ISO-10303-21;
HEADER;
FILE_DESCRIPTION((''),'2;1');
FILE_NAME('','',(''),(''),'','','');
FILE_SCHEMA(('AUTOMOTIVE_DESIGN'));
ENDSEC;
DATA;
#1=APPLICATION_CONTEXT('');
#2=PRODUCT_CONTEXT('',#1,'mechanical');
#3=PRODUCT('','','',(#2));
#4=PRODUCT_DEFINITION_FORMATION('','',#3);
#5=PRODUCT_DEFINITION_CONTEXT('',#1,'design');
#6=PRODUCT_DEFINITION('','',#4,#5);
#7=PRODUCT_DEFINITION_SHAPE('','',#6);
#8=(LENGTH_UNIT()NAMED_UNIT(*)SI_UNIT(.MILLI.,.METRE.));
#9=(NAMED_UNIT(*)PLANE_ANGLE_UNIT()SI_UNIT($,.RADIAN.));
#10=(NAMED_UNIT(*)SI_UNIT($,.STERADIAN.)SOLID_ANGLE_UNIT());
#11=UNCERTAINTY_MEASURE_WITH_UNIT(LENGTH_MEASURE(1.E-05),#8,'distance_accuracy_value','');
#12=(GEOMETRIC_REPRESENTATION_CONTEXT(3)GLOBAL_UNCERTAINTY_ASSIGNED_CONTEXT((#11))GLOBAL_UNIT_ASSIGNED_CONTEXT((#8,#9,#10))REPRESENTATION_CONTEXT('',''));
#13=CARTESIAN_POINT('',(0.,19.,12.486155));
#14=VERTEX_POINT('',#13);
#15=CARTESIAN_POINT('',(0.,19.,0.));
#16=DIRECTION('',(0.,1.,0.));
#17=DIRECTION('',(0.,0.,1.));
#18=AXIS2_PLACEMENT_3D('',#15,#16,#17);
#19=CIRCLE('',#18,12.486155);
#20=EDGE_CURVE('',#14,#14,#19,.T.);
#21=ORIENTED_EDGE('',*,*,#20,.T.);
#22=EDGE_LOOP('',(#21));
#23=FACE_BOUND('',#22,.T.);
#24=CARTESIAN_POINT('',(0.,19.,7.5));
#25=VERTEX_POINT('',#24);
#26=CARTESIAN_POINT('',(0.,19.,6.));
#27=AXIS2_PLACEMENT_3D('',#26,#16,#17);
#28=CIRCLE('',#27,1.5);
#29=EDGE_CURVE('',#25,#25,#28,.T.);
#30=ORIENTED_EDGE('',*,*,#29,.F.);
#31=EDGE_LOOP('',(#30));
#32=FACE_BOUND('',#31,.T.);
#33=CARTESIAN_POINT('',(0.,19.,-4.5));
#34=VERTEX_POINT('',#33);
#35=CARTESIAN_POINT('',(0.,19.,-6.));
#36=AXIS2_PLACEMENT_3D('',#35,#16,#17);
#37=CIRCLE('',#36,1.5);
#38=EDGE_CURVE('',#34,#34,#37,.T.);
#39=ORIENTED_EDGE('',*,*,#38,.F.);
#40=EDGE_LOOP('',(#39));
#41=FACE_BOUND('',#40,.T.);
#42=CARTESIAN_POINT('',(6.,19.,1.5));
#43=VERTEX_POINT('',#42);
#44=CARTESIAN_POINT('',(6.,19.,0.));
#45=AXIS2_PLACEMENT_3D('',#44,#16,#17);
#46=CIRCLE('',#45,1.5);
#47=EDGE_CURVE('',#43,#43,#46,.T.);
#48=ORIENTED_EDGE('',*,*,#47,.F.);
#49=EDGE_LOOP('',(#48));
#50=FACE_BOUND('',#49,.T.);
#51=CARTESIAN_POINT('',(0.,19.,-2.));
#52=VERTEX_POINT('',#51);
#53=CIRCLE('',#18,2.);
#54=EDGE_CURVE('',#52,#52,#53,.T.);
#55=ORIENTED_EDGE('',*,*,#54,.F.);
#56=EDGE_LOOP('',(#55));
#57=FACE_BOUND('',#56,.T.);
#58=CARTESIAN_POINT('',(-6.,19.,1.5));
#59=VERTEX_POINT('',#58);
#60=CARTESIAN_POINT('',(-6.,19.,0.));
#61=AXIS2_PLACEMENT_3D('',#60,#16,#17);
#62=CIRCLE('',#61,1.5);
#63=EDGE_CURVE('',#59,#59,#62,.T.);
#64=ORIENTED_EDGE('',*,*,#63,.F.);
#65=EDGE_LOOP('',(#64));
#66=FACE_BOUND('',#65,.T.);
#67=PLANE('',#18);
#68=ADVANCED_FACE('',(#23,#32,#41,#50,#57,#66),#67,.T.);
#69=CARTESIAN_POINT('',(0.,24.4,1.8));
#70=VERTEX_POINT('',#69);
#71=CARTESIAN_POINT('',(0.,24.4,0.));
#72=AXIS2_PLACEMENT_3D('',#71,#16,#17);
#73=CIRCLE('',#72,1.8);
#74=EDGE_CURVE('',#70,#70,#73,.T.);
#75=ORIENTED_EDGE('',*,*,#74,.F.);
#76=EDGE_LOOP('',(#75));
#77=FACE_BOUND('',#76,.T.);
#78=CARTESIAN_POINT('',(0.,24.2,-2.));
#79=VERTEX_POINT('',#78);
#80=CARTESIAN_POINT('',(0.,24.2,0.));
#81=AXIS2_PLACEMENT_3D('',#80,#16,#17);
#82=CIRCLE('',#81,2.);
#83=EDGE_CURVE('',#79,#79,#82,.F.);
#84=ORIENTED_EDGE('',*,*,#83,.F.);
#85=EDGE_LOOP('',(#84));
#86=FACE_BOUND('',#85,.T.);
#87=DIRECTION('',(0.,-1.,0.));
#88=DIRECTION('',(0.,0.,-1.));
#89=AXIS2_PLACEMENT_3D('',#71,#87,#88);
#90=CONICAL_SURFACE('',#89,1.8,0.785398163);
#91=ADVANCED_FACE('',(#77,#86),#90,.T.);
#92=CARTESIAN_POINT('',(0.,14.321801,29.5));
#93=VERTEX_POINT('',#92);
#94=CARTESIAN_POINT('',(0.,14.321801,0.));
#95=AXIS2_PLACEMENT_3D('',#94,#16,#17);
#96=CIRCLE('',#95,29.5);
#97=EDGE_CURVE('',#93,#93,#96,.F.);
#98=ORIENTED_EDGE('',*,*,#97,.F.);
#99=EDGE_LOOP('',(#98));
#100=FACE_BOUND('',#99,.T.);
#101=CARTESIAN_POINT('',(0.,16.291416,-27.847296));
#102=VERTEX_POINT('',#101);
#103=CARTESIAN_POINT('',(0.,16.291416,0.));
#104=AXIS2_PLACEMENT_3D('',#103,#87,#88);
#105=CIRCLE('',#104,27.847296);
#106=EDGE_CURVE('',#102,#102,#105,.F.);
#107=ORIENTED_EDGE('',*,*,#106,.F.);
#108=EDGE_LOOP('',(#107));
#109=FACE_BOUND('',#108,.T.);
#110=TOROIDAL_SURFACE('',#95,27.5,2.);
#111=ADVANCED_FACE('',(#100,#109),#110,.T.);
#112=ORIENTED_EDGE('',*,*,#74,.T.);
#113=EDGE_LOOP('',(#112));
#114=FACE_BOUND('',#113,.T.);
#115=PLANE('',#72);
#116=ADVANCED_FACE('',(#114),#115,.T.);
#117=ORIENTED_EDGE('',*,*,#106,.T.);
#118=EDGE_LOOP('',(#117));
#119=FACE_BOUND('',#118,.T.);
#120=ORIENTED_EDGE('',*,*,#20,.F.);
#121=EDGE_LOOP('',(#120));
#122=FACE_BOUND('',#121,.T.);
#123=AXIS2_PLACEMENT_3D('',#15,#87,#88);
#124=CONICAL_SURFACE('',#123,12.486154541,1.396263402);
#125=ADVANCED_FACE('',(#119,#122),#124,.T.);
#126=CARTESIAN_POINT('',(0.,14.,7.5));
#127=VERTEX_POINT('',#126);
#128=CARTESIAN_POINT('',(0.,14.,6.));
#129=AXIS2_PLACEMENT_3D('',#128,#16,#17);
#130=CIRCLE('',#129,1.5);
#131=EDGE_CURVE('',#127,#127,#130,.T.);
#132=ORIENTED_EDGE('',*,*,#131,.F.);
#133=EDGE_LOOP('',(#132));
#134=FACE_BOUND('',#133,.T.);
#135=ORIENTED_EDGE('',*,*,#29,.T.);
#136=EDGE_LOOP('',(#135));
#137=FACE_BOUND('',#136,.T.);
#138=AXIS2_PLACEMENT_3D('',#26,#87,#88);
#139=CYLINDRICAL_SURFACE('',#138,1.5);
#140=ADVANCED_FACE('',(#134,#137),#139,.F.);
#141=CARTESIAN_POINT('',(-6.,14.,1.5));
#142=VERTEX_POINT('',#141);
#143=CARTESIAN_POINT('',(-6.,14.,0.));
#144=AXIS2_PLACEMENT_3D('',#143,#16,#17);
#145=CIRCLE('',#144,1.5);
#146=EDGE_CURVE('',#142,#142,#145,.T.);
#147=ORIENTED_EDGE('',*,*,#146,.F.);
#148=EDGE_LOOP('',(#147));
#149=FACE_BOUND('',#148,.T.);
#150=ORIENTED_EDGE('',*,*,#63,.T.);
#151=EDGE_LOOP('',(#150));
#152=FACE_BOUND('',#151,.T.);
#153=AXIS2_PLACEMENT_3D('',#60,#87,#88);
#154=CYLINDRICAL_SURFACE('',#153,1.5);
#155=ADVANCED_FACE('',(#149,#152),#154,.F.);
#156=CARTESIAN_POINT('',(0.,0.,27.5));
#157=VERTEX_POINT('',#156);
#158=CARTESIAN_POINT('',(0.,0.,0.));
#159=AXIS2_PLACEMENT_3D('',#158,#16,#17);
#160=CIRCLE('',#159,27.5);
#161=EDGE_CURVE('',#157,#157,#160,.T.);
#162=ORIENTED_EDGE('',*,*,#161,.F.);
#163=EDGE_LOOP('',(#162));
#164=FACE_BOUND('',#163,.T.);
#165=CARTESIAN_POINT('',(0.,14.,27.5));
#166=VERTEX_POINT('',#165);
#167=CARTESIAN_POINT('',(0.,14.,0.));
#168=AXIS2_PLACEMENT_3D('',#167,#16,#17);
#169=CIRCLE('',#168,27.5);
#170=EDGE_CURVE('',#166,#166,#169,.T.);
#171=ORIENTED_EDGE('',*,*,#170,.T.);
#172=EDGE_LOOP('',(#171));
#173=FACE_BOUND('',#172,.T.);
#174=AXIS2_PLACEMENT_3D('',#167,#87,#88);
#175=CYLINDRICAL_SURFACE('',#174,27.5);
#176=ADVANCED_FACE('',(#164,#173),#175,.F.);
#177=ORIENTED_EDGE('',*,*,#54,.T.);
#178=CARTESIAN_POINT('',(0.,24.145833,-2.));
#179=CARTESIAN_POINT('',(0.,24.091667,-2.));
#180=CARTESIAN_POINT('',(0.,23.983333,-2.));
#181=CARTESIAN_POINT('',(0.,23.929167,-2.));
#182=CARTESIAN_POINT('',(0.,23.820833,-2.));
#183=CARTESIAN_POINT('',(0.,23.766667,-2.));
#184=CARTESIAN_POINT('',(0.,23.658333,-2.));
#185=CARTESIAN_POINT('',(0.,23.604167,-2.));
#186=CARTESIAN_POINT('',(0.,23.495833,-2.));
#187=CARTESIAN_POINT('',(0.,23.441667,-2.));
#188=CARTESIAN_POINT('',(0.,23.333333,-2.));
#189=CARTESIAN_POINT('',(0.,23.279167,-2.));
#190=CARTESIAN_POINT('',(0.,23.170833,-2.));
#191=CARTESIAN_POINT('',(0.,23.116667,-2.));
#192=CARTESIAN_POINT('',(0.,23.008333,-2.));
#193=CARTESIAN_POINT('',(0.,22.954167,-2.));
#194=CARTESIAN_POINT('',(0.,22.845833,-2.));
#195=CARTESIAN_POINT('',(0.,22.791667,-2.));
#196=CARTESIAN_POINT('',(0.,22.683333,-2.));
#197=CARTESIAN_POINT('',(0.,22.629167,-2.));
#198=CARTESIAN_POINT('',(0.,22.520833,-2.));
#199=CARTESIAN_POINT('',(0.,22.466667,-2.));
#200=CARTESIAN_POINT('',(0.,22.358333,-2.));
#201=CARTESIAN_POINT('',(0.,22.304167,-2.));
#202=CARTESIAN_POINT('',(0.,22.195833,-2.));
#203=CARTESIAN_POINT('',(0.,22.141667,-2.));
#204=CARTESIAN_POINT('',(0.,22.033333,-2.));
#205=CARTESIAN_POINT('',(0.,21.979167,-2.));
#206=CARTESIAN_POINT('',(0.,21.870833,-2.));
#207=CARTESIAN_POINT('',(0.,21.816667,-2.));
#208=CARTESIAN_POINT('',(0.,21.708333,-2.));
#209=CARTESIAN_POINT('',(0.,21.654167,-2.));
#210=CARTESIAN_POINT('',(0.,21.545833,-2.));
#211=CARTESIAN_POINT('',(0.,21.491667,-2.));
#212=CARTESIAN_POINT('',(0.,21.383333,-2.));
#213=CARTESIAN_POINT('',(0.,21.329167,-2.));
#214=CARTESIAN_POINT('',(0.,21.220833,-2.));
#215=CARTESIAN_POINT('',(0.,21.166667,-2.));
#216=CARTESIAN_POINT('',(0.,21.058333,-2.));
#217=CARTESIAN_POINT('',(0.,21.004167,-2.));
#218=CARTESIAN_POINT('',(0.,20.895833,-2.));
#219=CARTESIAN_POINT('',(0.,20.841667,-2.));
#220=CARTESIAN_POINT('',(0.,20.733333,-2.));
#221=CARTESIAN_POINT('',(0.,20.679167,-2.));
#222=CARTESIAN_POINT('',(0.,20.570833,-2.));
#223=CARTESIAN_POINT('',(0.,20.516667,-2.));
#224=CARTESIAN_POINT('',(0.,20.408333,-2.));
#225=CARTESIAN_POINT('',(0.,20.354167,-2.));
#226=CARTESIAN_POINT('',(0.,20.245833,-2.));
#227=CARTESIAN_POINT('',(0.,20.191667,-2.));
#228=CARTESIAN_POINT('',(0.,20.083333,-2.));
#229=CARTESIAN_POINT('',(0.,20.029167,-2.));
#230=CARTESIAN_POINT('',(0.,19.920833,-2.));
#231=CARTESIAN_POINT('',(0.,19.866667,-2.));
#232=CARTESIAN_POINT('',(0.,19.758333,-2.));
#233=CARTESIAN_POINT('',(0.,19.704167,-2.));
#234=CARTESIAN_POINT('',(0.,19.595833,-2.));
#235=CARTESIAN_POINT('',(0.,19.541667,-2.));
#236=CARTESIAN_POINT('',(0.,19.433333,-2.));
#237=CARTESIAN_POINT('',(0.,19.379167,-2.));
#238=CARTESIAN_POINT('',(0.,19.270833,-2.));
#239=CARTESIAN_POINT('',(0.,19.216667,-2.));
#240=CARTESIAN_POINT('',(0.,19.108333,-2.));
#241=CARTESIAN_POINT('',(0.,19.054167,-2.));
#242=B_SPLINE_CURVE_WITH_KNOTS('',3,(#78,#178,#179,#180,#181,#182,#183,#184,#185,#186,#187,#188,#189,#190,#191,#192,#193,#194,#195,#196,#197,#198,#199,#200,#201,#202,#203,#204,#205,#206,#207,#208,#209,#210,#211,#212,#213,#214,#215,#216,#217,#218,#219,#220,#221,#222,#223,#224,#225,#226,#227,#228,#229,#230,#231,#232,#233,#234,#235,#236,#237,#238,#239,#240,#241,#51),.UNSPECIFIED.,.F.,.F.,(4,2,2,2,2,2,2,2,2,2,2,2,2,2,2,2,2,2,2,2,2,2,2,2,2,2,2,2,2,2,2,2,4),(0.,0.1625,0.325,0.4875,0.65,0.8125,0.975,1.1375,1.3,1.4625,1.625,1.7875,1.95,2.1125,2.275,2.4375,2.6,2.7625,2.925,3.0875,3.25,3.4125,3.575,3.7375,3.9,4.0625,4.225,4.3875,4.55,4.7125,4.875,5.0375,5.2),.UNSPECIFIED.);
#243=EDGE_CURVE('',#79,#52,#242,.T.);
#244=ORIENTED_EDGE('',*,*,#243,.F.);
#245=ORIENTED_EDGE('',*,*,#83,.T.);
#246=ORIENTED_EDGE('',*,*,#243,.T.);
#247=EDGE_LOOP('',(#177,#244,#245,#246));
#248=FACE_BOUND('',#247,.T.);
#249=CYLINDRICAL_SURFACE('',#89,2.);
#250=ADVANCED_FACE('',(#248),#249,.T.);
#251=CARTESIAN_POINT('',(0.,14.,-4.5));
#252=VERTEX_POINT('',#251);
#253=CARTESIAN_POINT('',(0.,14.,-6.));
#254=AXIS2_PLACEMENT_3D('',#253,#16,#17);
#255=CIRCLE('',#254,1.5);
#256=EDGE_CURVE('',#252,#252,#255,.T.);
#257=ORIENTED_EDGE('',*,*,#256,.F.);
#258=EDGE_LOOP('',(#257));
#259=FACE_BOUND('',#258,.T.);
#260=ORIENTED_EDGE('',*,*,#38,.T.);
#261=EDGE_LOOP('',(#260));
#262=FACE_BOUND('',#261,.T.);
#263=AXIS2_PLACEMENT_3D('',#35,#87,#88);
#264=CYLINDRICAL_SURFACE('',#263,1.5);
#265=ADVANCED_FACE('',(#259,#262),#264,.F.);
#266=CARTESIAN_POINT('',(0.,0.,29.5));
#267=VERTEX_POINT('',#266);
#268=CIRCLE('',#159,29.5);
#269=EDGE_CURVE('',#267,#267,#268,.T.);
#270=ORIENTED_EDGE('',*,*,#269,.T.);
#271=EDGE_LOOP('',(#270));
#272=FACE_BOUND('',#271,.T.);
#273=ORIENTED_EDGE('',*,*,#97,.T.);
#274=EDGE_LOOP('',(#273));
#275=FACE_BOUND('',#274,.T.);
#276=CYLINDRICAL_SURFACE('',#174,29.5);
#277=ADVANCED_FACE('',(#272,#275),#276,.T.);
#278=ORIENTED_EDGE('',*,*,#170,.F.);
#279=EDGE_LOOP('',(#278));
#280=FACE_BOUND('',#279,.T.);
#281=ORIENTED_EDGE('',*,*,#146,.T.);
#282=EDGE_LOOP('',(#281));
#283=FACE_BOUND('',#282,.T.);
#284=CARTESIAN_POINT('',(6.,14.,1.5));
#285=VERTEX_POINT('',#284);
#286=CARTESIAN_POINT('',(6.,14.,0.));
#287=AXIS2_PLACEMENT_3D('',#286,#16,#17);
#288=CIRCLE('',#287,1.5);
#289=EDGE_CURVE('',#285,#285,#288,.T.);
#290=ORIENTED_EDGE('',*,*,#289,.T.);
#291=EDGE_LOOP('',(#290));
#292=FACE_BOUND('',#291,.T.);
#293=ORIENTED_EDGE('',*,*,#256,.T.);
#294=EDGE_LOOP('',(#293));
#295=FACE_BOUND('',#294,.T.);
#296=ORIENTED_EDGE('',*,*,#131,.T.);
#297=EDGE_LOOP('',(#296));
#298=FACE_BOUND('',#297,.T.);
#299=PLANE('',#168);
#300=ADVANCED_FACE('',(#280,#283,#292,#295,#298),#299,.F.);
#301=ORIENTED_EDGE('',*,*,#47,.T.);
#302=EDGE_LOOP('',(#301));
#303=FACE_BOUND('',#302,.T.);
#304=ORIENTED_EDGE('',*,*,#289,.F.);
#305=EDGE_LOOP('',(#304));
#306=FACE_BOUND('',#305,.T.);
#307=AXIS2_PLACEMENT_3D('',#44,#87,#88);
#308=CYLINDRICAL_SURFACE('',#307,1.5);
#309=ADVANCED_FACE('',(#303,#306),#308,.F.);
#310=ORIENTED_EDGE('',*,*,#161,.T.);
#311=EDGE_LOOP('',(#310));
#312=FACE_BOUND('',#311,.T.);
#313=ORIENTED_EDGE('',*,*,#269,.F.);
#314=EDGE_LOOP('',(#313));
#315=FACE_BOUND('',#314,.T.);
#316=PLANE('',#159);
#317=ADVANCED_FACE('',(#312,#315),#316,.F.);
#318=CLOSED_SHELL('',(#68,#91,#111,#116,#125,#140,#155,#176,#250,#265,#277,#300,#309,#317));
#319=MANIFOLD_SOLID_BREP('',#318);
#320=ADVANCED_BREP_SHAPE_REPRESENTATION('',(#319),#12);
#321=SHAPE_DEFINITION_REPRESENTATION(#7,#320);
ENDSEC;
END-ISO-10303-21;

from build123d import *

# Parameters (mm, degrees)
SKETCH1_R           = 29.5
SKETCH1_R_2         = 27.5
BOSS_EXTRUDE2_DEPTH = 14
SKETCH3_R           = 29.5
SKETCH3_R_2         = 1.5
BOSS_EXTRUDE3_DEPTH = 5
CHAMFER1_SIZE       = 3
CHAMFER1_SIZE2      = 17.013845459
FILLET1_R           = 2
SKETCH4_R           = 2
BOSS_EXTRUDE4_DEPTH = 5.4
CHAMFER2_SIZE       = 0.2


with BuildPart() as part:
    # Sketch1 → Boss-Extrude2 (new body)
    with BuildSketch(Plane(origin=(0, 0, 0), x_dir=(1, 0, 0), z_dir=(0, 1, 0))):
        with Locations(Location((0, 0, 0), (0, 0, 270))):
            Circle(SKETCH1_R)
        with Locations(Location((0, 0, 0), (0, 0, 270))):
            Circle(SKETCH1_R_2, mode=Mode.SUBTRACT)
    extrude(amount=BOSS_EXTRUDE2_DEPTH)

    # Sketch3 → Boss-Extrude3 (add)
    with BuildSketch(Plane(origin=(0, 14, 0), x_dir=(1, 0, 0), z_dir=(0, 1, 0))):
        with Locations(Location((0, 0, 0), (0, 0, 270))):
            Circle(SKETCH3_R)
        with Locations(Location((0, 6, 0), (0, 0, 270))):
            Circle(SKETCH3_R_2, mode=Mode.SUBTRACT)
        with Locations(Location((6, 0, 0), (0, 0, 270))):
            Circle(SKETCH3_R_2, mode=Mode.SUBTRACT)
        with Locations(Location((0, -6, 0), (0, 0, 270))):
            Circle(SKETCH3_R_2, mode=Mode.SUBTRACT)
        with Locations(Location((-6, 0, 0), (0, 0, 270))):
            Circle(SKETCH3_R_2, mode=Mode.SUBTRACT)
    extrude(amount=BOSS_EXTRUDE3_DEPTH)

    # Chamfer1
    chamfer1_edges = [part.edges().sort_by_distance(p)[0] for p in [
        (0, 19, -29.5),
    ]]
    chamfer1_side = [part.faces().sort_by_distance(p)[0] for p in [
        (0, 9.5, -29.5),
    ]]
    chamfer(chamfer1_edges, length=CHAMFER1_SIZE, length2=CHAMFER1_SIZE2, reference=chamfer1_side[0])

    # Fillet1
    fillet1_edges = [part.edges().sort_by_distance(p)[0] for p in [
        (0, 16, -29.5),
    ]]
    fillet(fillet1_edges, radius=FILLET1_R)

    # Sketch4 → Boss-Extrude4 (add)
    with BuildSketch(Plane(origin=(0, 19, 0), x_dir=(1, 0, 0), z_dir=(0, 1, 0))):
        with Locations(Location((0, 0, 0), (0, 0, 90))):
            Circle(SKETCH4_R)
    extrude(amount=BOSS_EXTRUDE4_DEPTH)

    # Chamfer2
    chamfer2_edges = [part.edges().sort_by_distance(p)[0] for p in [
        (0, 24.4, 2),
    ]]
    chamfer(chamfer2_edges, length=CHAMFER2_SIZE)


solid = part.part
